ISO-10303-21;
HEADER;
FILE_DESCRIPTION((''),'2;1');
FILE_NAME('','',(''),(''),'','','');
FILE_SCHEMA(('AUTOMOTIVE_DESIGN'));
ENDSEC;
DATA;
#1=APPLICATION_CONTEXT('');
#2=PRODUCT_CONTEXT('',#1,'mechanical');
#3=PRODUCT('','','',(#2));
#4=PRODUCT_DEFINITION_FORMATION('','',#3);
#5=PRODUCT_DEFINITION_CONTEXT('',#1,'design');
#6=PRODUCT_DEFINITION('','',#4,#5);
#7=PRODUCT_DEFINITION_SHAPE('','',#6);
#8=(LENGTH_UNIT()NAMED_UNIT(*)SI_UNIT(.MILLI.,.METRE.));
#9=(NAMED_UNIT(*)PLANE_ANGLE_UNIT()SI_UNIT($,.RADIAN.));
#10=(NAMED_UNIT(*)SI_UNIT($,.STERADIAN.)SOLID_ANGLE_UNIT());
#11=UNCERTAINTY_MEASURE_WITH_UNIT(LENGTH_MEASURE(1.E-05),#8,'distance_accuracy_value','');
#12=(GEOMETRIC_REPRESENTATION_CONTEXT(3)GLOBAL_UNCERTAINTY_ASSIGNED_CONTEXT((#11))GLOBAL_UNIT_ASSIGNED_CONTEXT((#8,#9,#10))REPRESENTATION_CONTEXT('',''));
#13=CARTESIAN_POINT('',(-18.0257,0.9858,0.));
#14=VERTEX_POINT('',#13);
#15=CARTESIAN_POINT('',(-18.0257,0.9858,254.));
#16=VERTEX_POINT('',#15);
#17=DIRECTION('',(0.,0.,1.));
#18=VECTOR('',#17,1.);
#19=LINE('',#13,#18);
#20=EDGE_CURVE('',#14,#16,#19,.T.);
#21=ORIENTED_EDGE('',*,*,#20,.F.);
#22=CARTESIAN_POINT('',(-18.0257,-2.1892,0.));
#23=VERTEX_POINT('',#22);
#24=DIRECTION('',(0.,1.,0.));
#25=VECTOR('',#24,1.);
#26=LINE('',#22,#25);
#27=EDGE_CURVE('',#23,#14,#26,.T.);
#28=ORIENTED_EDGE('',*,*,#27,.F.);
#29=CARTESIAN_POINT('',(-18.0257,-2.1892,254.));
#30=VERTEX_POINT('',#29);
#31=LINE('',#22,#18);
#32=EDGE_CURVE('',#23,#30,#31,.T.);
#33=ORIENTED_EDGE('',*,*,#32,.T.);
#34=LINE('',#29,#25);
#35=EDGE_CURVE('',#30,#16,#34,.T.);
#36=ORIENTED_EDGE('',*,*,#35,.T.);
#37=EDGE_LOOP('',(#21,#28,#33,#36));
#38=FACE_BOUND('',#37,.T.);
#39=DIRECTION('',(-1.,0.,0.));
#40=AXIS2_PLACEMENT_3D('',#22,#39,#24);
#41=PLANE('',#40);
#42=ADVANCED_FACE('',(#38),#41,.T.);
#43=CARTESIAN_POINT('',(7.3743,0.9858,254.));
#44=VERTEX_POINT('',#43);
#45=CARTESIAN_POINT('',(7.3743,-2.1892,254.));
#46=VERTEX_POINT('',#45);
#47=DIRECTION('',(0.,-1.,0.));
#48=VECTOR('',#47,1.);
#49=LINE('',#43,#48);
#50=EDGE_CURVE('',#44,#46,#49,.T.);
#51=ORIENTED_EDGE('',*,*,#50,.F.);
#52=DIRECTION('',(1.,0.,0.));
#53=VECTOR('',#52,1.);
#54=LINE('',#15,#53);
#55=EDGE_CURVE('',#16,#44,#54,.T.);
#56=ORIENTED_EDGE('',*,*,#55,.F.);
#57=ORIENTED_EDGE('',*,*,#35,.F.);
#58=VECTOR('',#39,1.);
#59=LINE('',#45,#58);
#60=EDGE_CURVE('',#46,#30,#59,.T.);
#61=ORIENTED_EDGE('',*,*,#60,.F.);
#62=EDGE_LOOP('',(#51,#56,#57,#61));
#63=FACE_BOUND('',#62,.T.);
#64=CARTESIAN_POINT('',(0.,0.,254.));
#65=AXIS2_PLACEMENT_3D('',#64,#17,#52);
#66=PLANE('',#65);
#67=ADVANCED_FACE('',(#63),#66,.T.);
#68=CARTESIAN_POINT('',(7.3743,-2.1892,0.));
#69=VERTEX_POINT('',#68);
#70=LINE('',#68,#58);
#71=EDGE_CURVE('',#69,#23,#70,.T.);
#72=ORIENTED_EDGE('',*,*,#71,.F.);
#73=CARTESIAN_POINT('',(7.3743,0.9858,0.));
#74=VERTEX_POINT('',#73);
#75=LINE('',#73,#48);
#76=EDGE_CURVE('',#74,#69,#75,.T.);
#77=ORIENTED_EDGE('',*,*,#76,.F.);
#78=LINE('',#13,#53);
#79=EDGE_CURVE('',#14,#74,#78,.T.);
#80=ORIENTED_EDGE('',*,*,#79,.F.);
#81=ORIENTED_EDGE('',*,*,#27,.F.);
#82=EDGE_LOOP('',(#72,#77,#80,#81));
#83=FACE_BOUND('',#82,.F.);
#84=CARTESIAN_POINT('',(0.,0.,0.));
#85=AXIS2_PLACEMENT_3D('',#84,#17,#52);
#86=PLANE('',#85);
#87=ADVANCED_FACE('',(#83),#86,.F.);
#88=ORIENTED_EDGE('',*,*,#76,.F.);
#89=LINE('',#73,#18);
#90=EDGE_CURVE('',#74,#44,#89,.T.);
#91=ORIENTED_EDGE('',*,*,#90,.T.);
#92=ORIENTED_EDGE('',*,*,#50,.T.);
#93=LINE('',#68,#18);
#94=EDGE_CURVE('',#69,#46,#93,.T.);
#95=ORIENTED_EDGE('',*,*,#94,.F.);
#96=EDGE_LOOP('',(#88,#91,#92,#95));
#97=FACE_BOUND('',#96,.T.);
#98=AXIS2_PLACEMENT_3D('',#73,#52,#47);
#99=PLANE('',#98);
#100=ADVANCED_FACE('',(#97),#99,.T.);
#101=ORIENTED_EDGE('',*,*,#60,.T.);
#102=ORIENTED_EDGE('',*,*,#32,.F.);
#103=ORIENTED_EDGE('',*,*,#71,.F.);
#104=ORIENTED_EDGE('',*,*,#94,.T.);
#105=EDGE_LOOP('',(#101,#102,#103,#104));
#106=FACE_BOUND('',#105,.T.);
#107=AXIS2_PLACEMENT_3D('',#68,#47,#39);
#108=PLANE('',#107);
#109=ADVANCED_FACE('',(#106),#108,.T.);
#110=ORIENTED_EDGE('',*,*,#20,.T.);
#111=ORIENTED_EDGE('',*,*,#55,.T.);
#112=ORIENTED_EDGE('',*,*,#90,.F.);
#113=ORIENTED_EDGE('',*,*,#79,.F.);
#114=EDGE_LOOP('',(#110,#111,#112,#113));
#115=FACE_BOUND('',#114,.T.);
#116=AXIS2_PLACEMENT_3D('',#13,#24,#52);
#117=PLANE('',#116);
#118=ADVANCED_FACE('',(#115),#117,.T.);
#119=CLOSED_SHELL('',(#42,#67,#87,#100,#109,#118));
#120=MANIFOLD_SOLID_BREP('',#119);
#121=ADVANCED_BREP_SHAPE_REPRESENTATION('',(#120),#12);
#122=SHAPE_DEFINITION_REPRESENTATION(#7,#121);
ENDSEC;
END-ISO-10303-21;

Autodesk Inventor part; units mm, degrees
ref_plane "YZ Plane" through (0, 0, 0) normal (1, 0, 0) x (0, 1, 0)
ref_plane "XZ Plane" through (0, 0, 0) normal (0, 1, 0) x (-1, 0, 0)
ref_plane "XY Plane" through (0, 0, 0) normal (0, 0, 1) x (1, 0, 0)
sketch "Sketch1" plane through (0, 0, 0) normal (0, 0, 1) x (1, 0, 0)
  line L0 (-18.0257, 0.9858) -> (7.3743, 0.9858)
  line L1 (7.3743, 0.9858) -> (7.3743, -2.1892)
  line L2 (7.3743, -2.1892) -> (-18.0257, -2.1892)
  line L3 (-18.0257, -2.1892) -> (-18.0257, 0.9858)
  point P0 (0, 0)
  dimension "d0" = 25.4
  dimension "d1" = 3.175
extrude "Extrusion1" add sketch "Sketch1" along normal blind 254
properties part number "RailMountMetal_NERDS"
